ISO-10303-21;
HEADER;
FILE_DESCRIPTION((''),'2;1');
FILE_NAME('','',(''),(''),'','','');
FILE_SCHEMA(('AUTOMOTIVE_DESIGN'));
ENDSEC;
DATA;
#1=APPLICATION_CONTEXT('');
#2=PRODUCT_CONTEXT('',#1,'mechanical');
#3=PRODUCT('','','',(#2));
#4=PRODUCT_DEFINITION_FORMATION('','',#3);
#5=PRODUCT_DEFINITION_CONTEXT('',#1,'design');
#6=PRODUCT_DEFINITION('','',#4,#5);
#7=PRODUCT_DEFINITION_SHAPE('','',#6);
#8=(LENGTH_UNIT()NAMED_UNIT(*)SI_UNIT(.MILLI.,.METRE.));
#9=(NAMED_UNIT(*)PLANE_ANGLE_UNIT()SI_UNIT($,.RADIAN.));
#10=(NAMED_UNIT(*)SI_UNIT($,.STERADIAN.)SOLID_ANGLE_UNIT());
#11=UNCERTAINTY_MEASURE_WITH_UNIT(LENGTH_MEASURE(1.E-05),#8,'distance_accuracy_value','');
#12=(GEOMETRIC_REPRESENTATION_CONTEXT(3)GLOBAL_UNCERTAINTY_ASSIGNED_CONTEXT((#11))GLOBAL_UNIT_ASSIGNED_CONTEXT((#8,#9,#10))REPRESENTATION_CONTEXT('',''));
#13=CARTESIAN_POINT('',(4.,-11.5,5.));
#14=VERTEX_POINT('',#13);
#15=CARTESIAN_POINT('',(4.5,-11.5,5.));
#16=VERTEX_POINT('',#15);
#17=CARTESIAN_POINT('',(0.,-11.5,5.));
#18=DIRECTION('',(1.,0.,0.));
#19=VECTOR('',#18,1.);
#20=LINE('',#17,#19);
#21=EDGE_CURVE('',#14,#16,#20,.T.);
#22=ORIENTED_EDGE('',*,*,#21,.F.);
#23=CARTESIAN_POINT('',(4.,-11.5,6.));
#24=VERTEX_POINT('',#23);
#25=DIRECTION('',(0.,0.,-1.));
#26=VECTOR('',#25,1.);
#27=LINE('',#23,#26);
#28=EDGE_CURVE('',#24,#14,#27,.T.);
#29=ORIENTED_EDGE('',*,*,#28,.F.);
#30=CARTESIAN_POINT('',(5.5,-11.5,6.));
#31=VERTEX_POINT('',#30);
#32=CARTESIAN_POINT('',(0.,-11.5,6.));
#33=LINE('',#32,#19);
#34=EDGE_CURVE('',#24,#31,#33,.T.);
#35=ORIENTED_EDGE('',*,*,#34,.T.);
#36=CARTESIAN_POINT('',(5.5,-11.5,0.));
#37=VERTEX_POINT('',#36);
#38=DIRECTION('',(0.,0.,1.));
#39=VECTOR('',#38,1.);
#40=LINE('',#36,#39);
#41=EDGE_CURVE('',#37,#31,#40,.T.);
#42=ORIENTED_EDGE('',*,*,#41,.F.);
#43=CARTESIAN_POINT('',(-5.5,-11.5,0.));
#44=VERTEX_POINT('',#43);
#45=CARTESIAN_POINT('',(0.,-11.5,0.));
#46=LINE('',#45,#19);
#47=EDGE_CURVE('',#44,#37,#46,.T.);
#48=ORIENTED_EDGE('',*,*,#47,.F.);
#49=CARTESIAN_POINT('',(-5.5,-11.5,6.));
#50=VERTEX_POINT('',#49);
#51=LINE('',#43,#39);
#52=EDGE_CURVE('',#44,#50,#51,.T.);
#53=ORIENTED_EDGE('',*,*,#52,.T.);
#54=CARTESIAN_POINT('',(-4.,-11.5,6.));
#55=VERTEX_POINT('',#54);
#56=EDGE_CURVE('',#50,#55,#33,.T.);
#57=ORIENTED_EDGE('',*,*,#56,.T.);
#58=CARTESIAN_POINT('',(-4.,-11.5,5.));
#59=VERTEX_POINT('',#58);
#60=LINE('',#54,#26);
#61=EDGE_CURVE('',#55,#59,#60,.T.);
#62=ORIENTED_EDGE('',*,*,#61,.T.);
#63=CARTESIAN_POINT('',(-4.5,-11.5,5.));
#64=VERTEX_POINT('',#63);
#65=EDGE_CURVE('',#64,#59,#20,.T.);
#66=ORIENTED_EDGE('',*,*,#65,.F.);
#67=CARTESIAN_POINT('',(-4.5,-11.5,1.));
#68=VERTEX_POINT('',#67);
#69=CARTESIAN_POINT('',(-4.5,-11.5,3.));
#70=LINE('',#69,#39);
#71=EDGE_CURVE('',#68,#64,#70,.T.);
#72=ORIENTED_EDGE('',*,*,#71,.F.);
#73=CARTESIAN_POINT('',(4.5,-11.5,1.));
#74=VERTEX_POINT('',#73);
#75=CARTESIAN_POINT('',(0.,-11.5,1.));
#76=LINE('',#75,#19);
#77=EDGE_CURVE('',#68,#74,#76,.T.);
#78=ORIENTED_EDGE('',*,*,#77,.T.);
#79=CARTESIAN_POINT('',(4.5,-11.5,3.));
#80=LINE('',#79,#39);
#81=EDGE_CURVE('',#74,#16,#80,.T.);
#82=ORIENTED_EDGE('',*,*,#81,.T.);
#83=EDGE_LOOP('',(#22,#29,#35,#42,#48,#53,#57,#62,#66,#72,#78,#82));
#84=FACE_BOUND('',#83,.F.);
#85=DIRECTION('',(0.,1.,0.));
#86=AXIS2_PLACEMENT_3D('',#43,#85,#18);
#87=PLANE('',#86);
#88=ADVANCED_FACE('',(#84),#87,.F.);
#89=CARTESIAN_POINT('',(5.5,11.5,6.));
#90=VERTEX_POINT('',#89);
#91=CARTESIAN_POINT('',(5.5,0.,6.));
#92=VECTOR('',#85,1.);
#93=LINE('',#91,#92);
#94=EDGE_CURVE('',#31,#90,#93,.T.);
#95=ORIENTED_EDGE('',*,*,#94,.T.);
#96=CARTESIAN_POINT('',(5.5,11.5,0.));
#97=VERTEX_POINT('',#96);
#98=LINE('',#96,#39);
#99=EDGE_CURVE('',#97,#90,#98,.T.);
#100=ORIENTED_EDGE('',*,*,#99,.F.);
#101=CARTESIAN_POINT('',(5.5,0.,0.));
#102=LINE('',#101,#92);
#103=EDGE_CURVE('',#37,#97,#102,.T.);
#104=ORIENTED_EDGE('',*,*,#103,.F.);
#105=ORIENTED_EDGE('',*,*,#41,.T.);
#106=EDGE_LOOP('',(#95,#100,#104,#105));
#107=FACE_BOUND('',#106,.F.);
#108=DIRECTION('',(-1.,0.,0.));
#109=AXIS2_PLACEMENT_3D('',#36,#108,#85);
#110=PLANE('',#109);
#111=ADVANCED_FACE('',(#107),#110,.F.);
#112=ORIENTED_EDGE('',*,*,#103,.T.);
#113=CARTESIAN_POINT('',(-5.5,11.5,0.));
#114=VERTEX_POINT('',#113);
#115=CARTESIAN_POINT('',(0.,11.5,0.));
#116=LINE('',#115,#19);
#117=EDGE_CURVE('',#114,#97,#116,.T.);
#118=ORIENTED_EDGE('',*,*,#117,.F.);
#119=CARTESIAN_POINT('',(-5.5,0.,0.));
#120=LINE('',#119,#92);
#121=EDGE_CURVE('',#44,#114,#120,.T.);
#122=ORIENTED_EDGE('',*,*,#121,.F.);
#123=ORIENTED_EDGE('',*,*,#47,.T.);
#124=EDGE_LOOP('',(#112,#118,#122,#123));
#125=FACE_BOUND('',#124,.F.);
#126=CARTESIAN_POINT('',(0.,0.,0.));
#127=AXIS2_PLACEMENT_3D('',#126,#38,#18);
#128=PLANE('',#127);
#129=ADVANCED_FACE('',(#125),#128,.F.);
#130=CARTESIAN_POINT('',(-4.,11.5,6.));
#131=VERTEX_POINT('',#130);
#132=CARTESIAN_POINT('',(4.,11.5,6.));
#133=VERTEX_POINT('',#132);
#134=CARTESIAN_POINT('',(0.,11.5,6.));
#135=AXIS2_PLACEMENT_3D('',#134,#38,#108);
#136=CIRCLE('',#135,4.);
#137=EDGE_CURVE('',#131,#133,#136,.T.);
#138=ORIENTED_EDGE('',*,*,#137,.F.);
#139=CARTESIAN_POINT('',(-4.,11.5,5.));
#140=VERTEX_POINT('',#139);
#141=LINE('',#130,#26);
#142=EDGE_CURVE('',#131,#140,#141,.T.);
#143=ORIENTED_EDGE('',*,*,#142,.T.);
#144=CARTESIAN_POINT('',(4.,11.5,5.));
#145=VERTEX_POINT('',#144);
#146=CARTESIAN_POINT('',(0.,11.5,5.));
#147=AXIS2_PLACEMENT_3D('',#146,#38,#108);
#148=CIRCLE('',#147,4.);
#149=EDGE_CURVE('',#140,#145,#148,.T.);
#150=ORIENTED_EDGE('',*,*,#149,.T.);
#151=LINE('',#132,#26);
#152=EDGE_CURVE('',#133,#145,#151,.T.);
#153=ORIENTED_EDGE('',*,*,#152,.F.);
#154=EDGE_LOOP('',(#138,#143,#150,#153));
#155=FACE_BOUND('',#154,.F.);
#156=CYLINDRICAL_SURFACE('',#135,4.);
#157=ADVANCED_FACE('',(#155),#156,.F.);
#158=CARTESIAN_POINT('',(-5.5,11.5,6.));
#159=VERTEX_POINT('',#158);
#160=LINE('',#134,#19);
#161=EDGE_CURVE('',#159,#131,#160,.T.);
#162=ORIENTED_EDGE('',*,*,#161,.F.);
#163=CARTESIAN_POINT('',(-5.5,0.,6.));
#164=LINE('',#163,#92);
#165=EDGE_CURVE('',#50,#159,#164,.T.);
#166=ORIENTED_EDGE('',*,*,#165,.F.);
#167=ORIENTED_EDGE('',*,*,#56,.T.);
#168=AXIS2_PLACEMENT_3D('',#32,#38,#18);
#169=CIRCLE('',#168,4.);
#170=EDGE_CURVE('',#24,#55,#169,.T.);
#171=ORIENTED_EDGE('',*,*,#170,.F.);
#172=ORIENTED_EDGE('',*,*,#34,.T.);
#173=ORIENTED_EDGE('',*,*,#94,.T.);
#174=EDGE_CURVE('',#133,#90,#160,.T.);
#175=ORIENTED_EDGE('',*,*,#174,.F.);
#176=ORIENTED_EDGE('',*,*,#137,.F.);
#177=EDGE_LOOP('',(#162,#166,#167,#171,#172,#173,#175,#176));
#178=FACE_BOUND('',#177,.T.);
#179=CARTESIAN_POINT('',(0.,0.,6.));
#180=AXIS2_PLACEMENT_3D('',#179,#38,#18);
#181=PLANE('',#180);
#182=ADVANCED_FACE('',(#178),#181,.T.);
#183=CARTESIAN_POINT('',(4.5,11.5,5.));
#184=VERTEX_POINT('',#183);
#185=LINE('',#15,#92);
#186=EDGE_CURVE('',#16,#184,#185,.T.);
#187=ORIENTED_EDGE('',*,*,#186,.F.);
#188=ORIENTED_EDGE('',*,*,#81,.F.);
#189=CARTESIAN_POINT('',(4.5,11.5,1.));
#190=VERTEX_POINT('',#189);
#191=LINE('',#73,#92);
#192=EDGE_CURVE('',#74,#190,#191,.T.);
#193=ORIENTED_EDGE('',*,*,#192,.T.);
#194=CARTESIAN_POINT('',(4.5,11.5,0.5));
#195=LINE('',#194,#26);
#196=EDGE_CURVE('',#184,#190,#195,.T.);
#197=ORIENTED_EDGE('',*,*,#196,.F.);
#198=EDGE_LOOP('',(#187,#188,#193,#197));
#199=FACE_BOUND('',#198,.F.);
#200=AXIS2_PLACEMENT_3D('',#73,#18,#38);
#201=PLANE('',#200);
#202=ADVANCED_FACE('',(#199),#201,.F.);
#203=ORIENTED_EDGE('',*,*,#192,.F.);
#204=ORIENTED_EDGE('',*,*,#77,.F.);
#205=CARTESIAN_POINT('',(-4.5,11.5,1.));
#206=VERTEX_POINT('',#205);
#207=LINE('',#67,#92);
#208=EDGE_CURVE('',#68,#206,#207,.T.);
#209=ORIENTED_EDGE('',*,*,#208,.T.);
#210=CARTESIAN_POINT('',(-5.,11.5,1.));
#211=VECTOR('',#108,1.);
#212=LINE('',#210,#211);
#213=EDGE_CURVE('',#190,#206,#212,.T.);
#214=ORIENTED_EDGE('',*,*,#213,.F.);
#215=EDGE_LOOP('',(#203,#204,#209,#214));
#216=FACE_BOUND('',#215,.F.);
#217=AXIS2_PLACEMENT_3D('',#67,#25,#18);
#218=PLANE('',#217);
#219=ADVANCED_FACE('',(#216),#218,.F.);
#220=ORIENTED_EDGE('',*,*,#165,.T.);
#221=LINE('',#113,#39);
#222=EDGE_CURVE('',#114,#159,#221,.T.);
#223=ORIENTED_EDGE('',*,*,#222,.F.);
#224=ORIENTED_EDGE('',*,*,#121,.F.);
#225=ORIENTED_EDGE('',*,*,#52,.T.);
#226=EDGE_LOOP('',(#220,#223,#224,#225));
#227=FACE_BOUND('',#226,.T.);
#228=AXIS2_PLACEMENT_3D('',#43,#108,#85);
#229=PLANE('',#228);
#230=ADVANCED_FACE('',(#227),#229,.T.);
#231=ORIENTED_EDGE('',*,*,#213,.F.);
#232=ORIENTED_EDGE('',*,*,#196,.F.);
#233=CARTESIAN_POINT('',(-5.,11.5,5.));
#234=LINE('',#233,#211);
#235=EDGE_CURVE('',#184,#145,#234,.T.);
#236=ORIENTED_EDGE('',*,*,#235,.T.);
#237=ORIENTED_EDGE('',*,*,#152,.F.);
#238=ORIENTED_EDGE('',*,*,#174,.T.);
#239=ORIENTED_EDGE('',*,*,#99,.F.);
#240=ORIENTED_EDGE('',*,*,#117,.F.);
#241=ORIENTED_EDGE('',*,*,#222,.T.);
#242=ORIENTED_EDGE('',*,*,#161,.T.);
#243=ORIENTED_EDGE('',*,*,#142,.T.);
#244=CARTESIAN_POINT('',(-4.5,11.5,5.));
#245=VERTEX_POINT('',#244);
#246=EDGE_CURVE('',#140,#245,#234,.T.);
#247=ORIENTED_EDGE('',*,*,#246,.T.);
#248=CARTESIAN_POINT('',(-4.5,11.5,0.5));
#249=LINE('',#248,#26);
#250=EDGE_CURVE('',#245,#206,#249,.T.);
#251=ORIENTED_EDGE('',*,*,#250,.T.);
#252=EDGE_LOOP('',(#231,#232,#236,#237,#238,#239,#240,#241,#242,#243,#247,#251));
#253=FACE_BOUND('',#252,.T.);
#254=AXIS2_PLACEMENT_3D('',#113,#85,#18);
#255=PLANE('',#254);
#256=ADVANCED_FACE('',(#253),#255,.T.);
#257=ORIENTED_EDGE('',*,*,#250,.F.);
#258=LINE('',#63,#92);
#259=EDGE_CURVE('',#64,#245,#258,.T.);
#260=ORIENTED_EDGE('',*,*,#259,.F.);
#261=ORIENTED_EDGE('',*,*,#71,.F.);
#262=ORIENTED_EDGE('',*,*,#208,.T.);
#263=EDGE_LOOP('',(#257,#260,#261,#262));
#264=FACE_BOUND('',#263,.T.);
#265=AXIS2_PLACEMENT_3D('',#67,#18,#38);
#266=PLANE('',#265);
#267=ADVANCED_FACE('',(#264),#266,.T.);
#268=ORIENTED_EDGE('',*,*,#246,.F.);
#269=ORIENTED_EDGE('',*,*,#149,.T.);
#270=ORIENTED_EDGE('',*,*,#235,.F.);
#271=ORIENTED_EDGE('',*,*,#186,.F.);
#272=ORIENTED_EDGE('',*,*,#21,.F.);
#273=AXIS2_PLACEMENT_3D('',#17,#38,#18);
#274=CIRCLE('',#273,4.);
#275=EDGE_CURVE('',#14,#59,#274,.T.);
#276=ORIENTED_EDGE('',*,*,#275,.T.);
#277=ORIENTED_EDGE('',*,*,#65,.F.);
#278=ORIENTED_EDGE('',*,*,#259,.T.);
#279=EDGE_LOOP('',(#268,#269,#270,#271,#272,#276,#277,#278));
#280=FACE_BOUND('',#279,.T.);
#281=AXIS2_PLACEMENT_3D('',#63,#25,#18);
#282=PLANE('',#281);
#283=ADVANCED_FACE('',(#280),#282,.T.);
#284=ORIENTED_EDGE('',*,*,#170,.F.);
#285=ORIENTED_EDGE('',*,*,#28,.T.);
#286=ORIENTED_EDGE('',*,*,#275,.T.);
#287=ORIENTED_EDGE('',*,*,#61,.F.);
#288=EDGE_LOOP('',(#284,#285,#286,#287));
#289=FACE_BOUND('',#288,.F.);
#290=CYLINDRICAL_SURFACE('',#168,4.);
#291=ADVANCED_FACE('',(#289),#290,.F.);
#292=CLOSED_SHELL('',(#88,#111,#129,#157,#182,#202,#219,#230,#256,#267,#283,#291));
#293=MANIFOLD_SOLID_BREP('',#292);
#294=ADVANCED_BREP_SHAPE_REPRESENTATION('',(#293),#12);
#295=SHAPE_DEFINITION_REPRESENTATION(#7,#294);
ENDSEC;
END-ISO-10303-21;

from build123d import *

# Parameters (mm, degrees)
F0_W     = 11
F0_H     = 23
F1_DEPTH = 6
F2_W     = 9
F2_H     = 4
F3_DEPTH = 23.001
F5_DEPTH = 1.5


with BuildPart() as f1:
    # F0 (on Top) → F1 (new body)
    with BuildSketch(Plane.XY):
        Rectangle(F0_W, F0_H)
    extrude(amount=F1_DEPTH)

    # F2 (on face) → F3 (cut, through all)
    with BuildSketch(Plane.XZ.offset(11.5)):
        with Locations((0, 3)):
            Rectangle(F2_W, F2_H)
    extrude(amount=-F3_DEPTH, mode=Mode.SUBTRACT)

    # F4 (on face) → F5 (cut)
    with BuildSketch(Plane.XY.offset(6)):
        with BuildLine():
            Line((4, 11.5), (-4, 11.5))
            ThreePointArc((-4, 11.5), (0, 7.5), (4, 11.5))
        make_face()
        with BuildLine():
            ThreePointArc((4, -11.5), (0, -7.5), (-4, -11.5))
            Line((-4, -11.5), (4, -11.5))
        make_face()
    extrude(amount=-F5_DEPTH, mode=Mode.SUBTRACT)


solid = f1.part
